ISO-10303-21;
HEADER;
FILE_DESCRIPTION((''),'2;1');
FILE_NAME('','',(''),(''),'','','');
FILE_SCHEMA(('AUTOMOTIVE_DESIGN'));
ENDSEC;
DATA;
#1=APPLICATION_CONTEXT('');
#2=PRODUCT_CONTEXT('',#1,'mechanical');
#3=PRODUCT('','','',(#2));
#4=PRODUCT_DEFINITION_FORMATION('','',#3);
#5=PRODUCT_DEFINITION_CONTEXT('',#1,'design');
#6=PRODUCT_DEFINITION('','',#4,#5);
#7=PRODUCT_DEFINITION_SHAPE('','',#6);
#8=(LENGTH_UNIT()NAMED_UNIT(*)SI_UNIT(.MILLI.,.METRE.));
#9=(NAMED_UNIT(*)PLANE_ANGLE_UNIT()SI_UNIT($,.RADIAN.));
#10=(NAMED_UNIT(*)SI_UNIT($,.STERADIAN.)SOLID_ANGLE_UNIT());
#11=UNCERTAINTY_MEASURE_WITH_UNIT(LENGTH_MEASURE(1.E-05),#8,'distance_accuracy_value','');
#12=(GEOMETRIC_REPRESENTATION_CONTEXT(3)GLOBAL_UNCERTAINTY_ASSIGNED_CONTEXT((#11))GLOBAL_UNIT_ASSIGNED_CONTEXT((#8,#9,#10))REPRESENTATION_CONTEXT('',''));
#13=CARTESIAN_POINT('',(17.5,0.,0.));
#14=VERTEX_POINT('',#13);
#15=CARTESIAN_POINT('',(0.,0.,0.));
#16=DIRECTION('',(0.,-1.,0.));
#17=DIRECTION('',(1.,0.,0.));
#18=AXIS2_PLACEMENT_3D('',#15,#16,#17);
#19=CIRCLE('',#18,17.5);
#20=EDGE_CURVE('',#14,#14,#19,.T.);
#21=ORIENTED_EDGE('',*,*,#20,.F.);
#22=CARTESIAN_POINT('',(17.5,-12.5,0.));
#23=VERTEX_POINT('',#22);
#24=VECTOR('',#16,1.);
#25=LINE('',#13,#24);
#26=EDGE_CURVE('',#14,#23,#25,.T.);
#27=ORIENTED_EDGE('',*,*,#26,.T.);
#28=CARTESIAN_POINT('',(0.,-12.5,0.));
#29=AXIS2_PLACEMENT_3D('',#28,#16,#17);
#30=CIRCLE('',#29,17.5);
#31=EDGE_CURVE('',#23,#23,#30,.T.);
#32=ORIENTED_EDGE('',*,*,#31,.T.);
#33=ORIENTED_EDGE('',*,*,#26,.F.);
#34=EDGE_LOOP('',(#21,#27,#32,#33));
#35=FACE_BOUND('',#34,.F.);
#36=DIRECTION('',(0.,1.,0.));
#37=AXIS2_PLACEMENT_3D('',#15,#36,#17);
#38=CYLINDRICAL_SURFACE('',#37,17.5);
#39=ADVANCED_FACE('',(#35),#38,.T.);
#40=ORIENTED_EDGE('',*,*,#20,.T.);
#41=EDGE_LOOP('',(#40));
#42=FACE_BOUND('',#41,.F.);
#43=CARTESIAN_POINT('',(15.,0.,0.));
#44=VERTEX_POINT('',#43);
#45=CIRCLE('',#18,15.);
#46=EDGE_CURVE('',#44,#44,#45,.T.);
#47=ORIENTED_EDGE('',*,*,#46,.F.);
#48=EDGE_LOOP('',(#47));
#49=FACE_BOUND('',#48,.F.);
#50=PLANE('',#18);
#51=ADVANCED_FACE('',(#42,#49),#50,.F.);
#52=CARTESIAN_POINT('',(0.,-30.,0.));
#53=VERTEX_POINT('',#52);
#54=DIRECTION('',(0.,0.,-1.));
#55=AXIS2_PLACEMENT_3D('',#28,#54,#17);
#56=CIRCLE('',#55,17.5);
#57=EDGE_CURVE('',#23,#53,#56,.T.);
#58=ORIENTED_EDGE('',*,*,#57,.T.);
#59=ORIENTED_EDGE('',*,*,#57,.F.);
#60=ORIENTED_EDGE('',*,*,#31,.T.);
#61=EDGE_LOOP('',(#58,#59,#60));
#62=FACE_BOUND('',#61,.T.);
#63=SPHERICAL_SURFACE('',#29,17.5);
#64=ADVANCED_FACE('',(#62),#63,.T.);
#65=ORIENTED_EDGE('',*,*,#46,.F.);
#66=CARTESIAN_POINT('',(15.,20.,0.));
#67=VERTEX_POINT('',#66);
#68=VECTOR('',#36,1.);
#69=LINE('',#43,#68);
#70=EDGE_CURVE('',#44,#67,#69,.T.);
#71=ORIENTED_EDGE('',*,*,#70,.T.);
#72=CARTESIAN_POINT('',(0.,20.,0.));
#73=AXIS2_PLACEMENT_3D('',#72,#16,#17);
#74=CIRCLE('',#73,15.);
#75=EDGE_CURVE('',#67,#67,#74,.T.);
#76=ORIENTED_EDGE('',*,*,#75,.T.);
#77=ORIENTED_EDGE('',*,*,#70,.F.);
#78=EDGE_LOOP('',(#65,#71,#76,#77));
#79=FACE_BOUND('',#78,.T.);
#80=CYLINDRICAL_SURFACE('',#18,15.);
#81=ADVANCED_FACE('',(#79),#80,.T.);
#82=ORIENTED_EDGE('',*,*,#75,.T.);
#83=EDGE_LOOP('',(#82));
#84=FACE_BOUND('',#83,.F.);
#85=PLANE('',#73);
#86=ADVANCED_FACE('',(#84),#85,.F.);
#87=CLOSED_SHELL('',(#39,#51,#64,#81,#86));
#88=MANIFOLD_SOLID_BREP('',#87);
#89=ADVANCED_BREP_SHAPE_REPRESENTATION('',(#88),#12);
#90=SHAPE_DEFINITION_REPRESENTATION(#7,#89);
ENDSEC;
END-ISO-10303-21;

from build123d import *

# Parameters (mm, degrees)
F0_R     = 17.5
F0_R_2   = 15
F1_DEPTH = 30
F2_DEPTH = 20
F3_R     = 17.5


with BuildPart() as f1:
    # F0 (on Front) → F1 (new body)
    with BuildSketch(Plane.XZ):
        Circle(F0_R)
        Circle(F0_R_2, mode=Mode.SUBTRACT)
        Circle(F0_R_2)
    extrude(amount=F1_DEPTH)

    # F0 (on Front) → F2 (join)
    with BuildSketch(Plane.XZ):
        Circle(F0_R_2)
    extrude(amount=-F2_DEPTH)

    # F3
    f3_edges = [f1.edges().sort_by_distance(p)[0] for p in [
        (-17.5, -30, 0),
    ]]
    fillet(f3_edges, radius=F3_R)


solid = f1.part
